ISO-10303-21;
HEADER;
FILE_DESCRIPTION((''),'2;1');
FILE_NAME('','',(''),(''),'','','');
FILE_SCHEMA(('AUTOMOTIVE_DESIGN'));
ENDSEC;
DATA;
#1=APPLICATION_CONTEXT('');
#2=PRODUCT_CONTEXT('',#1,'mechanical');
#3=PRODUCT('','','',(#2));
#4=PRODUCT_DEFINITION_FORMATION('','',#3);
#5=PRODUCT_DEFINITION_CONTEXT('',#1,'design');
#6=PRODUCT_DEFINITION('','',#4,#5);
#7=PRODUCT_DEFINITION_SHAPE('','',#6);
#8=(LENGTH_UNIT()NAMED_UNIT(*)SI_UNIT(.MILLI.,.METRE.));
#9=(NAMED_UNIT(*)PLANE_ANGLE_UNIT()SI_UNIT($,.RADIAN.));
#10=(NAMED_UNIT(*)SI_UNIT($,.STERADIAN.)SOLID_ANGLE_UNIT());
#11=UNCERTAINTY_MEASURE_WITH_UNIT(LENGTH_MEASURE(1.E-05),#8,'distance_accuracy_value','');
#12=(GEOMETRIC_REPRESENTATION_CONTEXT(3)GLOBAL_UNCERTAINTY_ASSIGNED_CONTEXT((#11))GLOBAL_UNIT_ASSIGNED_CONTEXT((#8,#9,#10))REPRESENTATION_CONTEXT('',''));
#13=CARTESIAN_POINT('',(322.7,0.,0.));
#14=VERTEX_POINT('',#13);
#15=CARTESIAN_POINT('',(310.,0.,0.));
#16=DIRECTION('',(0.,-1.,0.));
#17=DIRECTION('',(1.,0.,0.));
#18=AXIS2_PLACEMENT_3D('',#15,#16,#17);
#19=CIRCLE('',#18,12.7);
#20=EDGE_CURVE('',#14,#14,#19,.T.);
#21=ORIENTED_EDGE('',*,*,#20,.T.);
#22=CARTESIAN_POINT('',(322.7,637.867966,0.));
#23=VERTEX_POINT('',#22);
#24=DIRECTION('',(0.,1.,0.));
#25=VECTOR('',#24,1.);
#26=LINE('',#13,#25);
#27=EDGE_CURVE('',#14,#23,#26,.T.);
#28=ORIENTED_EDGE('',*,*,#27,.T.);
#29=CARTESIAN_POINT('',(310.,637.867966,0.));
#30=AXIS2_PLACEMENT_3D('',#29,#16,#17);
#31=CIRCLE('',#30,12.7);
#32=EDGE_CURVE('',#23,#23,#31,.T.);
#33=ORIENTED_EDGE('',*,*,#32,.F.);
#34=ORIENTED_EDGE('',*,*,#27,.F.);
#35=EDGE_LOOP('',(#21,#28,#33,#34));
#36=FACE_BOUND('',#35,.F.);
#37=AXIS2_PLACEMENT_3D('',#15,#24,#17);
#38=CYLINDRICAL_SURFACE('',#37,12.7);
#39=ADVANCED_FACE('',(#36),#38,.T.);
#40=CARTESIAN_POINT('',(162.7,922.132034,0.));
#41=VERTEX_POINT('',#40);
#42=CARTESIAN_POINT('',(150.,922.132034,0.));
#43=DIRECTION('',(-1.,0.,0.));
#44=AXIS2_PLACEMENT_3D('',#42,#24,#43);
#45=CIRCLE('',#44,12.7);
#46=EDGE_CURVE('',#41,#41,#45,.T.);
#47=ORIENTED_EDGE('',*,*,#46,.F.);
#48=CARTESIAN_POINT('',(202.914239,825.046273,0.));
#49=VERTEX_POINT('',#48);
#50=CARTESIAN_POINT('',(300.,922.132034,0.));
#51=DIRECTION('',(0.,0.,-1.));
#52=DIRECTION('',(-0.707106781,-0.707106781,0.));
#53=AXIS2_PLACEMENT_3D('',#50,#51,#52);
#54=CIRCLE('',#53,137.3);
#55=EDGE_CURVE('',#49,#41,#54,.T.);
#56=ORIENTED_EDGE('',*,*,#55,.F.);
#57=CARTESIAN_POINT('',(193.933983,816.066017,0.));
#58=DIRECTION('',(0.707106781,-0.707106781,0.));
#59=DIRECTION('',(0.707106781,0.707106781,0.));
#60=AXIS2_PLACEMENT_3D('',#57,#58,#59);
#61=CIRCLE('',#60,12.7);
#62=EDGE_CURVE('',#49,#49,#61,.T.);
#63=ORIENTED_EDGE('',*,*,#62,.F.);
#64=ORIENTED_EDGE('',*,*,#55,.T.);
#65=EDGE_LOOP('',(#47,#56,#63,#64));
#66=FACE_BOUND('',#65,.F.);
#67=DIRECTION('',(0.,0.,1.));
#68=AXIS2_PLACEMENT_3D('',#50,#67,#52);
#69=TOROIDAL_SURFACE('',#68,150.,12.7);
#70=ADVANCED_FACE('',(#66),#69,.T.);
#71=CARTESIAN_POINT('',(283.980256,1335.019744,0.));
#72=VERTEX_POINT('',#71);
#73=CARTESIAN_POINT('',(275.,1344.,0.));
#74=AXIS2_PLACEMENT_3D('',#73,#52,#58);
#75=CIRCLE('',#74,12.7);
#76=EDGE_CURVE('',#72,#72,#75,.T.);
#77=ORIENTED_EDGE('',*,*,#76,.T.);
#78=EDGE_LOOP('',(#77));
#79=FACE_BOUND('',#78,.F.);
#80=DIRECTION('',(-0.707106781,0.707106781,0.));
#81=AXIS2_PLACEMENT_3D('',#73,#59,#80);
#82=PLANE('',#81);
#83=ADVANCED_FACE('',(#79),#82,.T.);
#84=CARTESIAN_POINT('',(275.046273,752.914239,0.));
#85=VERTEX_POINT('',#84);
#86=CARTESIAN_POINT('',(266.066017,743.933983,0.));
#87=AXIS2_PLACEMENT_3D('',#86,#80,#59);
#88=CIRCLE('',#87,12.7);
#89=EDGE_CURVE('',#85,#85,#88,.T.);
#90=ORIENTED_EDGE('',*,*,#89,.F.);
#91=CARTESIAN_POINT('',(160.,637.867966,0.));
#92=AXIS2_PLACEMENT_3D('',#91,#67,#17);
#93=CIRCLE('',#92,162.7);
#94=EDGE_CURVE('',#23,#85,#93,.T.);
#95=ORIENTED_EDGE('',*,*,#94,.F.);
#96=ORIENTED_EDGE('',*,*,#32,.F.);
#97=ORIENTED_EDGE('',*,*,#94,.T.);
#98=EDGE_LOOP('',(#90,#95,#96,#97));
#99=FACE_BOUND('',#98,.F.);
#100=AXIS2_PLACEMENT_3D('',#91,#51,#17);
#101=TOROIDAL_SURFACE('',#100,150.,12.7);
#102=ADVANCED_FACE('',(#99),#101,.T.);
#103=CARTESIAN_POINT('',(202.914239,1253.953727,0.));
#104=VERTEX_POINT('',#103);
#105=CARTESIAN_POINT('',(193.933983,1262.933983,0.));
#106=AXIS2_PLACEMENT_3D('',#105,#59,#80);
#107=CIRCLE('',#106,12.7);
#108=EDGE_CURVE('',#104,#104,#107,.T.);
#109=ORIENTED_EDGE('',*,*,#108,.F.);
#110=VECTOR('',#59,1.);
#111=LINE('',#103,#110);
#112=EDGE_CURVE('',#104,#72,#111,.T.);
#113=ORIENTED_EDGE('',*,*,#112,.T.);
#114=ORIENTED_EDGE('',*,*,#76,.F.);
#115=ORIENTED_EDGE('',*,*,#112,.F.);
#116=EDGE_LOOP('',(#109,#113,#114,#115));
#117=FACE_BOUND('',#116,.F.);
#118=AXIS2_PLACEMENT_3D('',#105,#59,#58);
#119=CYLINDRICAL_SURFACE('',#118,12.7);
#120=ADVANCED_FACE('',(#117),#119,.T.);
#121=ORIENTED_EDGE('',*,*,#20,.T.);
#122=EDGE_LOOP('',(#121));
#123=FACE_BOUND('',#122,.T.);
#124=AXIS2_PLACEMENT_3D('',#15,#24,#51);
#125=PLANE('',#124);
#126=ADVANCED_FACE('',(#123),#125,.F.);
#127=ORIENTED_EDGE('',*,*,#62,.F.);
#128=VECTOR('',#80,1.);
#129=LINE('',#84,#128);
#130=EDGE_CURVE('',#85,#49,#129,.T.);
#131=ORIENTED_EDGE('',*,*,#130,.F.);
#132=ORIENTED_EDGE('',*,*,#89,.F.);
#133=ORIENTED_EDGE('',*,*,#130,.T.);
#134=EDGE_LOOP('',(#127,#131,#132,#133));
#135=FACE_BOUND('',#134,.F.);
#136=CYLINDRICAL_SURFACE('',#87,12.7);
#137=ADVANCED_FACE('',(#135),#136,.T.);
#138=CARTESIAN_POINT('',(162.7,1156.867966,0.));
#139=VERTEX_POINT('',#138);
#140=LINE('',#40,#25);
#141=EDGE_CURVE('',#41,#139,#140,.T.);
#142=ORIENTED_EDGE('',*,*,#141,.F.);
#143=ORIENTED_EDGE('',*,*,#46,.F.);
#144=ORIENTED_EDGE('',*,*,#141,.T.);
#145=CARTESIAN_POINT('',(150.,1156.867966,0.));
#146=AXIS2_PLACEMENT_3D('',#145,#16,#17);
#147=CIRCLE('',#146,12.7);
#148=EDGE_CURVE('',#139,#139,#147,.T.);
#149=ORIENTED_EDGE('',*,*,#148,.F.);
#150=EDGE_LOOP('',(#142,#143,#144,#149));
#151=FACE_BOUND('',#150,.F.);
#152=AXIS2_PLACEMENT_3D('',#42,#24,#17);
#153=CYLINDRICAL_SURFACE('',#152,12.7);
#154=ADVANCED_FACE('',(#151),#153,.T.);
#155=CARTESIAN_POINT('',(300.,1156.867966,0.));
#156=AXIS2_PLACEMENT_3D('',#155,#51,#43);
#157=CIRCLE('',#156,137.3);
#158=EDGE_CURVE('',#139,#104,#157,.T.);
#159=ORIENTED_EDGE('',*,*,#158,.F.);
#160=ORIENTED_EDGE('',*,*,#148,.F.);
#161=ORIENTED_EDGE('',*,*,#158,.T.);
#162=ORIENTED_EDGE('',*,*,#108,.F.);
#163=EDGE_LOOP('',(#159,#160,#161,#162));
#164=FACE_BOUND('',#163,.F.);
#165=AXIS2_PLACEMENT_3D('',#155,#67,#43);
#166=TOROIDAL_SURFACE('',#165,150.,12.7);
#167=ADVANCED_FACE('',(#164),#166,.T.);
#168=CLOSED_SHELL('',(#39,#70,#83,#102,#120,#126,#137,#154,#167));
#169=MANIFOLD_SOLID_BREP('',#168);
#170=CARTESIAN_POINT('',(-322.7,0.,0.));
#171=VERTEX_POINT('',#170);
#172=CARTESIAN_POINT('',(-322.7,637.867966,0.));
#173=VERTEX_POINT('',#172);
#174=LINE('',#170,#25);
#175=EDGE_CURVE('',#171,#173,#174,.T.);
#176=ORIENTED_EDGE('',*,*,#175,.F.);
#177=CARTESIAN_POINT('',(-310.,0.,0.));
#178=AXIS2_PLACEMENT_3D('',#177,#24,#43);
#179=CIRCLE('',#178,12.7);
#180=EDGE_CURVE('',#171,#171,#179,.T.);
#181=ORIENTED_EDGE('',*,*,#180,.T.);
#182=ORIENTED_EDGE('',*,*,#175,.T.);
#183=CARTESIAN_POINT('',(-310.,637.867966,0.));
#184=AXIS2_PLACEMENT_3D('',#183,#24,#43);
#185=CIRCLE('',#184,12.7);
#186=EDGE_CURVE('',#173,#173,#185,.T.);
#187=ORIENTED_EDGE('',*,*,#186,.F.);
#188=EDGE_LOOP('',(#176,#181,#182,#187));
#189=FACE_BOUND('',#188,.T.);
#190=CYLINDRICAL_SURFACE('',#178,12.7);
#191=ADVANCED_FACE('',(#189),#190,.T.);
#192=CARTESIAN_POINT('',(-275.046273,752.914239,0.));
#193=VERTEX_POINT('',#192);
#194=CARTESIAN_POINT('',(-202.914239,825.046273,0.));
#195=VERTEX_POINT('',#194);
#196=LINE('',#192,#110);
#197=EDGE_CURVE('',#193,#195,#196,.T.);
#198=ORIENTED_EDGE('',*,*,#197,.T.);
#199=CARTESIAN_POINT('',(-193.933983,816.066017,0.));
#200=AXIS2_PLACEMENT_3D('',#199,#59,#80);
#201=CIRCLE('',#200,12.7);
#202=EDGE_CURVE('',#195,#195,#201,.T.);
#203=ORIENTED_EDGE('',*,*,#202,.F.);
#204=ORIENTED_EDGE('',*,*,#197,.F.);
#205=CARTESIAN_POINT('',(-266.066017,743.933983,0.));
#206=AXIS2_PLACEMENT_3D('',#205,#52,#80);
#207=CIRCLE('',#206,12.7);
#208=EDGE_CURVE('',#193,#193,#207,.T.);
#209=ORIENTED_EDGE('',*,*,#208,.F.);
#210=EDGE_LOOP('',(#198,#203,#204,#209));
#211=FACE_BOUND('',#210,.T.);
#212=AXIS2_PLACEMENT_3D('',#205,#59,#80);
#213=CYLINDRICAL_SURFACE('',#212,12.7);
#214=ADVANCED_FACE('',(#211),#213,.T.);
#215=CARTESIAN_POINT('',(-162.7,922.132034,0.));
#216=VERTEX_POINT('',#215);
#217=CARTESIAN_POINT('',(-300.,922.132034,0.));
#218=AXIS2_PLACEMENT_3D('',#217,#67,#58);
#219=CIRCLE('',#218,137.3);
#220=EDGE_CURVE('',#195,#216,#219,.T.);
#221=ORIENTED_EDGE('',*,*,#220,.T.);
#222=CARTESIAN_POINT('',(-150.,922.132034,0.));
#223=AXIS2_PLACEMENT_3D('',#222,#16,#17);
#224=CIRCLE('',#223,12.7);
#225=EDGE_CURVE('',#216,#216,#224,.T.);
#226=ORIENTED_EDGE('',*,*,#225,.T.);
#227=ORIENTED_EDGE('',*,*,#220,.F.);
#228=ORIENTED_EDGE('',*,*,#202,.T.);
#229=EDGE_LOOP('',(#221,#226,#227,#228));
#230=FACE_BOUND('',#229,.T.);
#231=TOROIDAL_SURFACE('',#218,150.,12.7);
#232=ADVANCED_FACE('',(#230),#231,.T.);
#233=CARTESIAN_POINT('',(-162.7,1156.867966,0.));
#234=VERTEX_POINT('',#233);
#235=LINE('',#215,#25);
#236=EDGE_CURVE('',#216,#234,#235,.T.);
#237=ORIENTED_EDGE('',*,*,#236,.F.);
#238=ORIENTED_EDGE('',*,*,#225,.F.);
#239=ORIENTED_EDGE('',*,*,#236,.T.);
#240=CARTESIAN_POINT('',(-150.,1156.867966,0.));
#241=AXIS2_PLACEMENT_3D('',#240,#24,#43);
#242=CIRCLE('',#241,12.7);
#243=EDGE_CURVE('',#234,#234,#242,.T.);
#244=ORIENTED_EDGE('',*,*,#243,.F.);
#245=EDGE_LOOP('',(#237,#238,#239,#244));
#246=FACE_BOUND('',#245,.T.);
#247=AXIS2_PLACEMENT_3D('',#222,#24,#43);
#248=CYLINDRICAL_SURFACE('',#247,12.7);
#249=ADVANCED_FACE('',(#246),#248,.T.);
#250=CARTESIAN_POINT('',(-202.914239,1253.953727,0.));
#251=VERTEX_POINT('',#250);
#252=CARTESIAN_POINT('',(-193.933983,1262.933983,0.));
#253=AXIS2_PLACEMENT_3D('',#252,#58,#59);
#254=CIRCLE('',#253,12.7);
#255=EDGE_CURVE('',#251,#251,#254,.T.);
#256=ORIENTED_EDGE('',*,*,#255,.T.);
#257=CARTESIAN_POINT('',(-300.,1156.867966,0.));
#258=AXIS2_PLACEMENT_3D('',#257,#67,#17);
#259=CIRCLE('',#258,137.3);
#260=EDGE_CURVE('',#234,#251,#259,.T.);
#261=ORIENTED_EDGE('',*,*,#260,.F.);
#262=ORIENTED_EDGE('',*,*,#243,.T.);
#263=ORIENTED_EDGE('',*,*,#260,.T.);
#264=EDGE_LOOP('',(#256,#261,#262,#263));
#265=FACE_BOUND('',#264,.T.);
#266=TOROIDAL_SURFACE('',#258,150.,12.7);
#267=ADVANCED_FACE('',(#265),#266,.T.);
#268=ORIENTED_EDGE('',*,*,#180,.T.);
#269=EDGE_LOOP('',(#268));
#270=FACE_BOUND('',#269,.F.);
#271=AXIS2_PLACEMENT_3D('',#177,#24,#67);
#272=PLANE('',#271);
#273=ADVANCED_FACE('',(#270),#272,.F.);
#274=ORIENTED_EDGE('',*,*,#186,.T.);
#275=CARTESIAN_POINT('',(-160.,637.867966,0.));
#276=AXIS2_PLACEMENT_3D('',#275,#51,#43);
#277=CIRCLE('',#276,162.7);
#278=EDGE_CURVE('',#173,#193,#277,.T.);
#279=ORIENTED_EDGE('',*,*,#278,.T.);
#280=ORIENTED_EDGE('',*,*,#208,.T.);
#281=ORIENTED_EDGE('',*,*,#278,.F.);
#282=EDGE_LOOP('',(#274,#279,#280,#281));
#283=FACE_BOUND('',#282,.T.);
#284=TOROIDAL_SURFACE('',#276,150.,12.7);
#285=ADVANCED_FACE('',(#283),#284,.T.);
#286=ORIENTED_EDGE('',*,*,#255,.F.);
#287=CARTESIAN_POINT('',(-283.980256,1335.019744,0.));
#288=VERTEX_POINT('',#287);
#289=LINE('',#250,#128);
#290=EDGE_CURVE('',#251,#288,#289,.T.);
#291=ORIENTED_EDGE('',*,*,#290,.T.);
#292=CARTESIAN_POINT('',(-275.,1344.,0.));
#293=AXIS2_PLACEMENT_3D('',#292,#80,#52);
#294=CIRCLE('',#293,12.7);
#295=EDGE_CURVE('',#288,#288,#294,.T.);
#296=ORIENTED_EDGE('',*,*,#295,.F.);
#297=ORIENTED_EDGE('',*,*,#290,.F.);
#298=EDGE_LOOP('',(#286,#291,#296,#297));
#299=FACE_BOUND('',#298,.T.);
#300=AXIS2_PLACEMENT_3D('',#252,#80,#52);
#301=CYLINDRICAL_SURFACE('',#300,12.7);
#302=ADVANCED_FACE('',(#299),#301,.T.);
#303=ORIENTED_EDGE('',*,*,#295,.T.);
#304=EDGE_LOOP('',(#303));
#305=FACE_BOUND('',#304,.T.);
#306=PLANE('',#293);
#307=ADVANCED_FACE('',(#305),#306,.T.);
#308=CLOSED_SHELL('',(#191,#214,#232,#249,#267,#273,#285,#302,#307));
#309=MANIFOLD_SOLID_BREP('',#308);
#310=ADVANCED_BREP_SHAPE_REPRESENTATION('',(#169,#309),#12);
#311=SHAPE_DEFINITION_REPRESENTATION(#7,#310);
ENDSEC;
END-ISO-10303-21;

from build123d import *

# Parameters (mm, degrees)
F2_R = 12.7


with BuildPart() as f3:
    # F3: sweep along a path in F0
    with BuildLine(Plane.XY) as f3_path:
        Line((-310, 0), (-310, 637.867965644))
        ThreePointArc((-310, 637.867965644), (-298.5819298767, 695.2704804988), (-266.066017178, 743.933982822))
        Line((-266.066017178, 743.933982822), (-193.933982822, 816.066017178))
        ThreePointArc((-193.933982822, 816.066017178), (-161.4180701233, 864.7295195012), (-150, 922.132034356))
        Line((-150, 922.132034356), (-150, 1156.8679656441))
        ThreePointArc((-150, 1156.8679656441), (-161.4180701233, 1214.2704804988), (-193.933982822, 1262.933982822))
        Line((-193.933982822, 1262.933982822), (-275, 1344))
    # F2 (on line) → F3 (sweep)
    with BuildSketch(Plane(origin=(0, 0, 0), x_dir=(-1, 0, 0), z_dir=(0, 1, 0))):
        with Locations((310, 0)):
            Circle(F2_R)
    sweep(path=f3_path.line)


with BuildPart() as f4_1:
    # F4: instance of F3
    add(f3.part.mirror(Plane.YZ))


solid = Compound([f3.part, f4_1.part])
